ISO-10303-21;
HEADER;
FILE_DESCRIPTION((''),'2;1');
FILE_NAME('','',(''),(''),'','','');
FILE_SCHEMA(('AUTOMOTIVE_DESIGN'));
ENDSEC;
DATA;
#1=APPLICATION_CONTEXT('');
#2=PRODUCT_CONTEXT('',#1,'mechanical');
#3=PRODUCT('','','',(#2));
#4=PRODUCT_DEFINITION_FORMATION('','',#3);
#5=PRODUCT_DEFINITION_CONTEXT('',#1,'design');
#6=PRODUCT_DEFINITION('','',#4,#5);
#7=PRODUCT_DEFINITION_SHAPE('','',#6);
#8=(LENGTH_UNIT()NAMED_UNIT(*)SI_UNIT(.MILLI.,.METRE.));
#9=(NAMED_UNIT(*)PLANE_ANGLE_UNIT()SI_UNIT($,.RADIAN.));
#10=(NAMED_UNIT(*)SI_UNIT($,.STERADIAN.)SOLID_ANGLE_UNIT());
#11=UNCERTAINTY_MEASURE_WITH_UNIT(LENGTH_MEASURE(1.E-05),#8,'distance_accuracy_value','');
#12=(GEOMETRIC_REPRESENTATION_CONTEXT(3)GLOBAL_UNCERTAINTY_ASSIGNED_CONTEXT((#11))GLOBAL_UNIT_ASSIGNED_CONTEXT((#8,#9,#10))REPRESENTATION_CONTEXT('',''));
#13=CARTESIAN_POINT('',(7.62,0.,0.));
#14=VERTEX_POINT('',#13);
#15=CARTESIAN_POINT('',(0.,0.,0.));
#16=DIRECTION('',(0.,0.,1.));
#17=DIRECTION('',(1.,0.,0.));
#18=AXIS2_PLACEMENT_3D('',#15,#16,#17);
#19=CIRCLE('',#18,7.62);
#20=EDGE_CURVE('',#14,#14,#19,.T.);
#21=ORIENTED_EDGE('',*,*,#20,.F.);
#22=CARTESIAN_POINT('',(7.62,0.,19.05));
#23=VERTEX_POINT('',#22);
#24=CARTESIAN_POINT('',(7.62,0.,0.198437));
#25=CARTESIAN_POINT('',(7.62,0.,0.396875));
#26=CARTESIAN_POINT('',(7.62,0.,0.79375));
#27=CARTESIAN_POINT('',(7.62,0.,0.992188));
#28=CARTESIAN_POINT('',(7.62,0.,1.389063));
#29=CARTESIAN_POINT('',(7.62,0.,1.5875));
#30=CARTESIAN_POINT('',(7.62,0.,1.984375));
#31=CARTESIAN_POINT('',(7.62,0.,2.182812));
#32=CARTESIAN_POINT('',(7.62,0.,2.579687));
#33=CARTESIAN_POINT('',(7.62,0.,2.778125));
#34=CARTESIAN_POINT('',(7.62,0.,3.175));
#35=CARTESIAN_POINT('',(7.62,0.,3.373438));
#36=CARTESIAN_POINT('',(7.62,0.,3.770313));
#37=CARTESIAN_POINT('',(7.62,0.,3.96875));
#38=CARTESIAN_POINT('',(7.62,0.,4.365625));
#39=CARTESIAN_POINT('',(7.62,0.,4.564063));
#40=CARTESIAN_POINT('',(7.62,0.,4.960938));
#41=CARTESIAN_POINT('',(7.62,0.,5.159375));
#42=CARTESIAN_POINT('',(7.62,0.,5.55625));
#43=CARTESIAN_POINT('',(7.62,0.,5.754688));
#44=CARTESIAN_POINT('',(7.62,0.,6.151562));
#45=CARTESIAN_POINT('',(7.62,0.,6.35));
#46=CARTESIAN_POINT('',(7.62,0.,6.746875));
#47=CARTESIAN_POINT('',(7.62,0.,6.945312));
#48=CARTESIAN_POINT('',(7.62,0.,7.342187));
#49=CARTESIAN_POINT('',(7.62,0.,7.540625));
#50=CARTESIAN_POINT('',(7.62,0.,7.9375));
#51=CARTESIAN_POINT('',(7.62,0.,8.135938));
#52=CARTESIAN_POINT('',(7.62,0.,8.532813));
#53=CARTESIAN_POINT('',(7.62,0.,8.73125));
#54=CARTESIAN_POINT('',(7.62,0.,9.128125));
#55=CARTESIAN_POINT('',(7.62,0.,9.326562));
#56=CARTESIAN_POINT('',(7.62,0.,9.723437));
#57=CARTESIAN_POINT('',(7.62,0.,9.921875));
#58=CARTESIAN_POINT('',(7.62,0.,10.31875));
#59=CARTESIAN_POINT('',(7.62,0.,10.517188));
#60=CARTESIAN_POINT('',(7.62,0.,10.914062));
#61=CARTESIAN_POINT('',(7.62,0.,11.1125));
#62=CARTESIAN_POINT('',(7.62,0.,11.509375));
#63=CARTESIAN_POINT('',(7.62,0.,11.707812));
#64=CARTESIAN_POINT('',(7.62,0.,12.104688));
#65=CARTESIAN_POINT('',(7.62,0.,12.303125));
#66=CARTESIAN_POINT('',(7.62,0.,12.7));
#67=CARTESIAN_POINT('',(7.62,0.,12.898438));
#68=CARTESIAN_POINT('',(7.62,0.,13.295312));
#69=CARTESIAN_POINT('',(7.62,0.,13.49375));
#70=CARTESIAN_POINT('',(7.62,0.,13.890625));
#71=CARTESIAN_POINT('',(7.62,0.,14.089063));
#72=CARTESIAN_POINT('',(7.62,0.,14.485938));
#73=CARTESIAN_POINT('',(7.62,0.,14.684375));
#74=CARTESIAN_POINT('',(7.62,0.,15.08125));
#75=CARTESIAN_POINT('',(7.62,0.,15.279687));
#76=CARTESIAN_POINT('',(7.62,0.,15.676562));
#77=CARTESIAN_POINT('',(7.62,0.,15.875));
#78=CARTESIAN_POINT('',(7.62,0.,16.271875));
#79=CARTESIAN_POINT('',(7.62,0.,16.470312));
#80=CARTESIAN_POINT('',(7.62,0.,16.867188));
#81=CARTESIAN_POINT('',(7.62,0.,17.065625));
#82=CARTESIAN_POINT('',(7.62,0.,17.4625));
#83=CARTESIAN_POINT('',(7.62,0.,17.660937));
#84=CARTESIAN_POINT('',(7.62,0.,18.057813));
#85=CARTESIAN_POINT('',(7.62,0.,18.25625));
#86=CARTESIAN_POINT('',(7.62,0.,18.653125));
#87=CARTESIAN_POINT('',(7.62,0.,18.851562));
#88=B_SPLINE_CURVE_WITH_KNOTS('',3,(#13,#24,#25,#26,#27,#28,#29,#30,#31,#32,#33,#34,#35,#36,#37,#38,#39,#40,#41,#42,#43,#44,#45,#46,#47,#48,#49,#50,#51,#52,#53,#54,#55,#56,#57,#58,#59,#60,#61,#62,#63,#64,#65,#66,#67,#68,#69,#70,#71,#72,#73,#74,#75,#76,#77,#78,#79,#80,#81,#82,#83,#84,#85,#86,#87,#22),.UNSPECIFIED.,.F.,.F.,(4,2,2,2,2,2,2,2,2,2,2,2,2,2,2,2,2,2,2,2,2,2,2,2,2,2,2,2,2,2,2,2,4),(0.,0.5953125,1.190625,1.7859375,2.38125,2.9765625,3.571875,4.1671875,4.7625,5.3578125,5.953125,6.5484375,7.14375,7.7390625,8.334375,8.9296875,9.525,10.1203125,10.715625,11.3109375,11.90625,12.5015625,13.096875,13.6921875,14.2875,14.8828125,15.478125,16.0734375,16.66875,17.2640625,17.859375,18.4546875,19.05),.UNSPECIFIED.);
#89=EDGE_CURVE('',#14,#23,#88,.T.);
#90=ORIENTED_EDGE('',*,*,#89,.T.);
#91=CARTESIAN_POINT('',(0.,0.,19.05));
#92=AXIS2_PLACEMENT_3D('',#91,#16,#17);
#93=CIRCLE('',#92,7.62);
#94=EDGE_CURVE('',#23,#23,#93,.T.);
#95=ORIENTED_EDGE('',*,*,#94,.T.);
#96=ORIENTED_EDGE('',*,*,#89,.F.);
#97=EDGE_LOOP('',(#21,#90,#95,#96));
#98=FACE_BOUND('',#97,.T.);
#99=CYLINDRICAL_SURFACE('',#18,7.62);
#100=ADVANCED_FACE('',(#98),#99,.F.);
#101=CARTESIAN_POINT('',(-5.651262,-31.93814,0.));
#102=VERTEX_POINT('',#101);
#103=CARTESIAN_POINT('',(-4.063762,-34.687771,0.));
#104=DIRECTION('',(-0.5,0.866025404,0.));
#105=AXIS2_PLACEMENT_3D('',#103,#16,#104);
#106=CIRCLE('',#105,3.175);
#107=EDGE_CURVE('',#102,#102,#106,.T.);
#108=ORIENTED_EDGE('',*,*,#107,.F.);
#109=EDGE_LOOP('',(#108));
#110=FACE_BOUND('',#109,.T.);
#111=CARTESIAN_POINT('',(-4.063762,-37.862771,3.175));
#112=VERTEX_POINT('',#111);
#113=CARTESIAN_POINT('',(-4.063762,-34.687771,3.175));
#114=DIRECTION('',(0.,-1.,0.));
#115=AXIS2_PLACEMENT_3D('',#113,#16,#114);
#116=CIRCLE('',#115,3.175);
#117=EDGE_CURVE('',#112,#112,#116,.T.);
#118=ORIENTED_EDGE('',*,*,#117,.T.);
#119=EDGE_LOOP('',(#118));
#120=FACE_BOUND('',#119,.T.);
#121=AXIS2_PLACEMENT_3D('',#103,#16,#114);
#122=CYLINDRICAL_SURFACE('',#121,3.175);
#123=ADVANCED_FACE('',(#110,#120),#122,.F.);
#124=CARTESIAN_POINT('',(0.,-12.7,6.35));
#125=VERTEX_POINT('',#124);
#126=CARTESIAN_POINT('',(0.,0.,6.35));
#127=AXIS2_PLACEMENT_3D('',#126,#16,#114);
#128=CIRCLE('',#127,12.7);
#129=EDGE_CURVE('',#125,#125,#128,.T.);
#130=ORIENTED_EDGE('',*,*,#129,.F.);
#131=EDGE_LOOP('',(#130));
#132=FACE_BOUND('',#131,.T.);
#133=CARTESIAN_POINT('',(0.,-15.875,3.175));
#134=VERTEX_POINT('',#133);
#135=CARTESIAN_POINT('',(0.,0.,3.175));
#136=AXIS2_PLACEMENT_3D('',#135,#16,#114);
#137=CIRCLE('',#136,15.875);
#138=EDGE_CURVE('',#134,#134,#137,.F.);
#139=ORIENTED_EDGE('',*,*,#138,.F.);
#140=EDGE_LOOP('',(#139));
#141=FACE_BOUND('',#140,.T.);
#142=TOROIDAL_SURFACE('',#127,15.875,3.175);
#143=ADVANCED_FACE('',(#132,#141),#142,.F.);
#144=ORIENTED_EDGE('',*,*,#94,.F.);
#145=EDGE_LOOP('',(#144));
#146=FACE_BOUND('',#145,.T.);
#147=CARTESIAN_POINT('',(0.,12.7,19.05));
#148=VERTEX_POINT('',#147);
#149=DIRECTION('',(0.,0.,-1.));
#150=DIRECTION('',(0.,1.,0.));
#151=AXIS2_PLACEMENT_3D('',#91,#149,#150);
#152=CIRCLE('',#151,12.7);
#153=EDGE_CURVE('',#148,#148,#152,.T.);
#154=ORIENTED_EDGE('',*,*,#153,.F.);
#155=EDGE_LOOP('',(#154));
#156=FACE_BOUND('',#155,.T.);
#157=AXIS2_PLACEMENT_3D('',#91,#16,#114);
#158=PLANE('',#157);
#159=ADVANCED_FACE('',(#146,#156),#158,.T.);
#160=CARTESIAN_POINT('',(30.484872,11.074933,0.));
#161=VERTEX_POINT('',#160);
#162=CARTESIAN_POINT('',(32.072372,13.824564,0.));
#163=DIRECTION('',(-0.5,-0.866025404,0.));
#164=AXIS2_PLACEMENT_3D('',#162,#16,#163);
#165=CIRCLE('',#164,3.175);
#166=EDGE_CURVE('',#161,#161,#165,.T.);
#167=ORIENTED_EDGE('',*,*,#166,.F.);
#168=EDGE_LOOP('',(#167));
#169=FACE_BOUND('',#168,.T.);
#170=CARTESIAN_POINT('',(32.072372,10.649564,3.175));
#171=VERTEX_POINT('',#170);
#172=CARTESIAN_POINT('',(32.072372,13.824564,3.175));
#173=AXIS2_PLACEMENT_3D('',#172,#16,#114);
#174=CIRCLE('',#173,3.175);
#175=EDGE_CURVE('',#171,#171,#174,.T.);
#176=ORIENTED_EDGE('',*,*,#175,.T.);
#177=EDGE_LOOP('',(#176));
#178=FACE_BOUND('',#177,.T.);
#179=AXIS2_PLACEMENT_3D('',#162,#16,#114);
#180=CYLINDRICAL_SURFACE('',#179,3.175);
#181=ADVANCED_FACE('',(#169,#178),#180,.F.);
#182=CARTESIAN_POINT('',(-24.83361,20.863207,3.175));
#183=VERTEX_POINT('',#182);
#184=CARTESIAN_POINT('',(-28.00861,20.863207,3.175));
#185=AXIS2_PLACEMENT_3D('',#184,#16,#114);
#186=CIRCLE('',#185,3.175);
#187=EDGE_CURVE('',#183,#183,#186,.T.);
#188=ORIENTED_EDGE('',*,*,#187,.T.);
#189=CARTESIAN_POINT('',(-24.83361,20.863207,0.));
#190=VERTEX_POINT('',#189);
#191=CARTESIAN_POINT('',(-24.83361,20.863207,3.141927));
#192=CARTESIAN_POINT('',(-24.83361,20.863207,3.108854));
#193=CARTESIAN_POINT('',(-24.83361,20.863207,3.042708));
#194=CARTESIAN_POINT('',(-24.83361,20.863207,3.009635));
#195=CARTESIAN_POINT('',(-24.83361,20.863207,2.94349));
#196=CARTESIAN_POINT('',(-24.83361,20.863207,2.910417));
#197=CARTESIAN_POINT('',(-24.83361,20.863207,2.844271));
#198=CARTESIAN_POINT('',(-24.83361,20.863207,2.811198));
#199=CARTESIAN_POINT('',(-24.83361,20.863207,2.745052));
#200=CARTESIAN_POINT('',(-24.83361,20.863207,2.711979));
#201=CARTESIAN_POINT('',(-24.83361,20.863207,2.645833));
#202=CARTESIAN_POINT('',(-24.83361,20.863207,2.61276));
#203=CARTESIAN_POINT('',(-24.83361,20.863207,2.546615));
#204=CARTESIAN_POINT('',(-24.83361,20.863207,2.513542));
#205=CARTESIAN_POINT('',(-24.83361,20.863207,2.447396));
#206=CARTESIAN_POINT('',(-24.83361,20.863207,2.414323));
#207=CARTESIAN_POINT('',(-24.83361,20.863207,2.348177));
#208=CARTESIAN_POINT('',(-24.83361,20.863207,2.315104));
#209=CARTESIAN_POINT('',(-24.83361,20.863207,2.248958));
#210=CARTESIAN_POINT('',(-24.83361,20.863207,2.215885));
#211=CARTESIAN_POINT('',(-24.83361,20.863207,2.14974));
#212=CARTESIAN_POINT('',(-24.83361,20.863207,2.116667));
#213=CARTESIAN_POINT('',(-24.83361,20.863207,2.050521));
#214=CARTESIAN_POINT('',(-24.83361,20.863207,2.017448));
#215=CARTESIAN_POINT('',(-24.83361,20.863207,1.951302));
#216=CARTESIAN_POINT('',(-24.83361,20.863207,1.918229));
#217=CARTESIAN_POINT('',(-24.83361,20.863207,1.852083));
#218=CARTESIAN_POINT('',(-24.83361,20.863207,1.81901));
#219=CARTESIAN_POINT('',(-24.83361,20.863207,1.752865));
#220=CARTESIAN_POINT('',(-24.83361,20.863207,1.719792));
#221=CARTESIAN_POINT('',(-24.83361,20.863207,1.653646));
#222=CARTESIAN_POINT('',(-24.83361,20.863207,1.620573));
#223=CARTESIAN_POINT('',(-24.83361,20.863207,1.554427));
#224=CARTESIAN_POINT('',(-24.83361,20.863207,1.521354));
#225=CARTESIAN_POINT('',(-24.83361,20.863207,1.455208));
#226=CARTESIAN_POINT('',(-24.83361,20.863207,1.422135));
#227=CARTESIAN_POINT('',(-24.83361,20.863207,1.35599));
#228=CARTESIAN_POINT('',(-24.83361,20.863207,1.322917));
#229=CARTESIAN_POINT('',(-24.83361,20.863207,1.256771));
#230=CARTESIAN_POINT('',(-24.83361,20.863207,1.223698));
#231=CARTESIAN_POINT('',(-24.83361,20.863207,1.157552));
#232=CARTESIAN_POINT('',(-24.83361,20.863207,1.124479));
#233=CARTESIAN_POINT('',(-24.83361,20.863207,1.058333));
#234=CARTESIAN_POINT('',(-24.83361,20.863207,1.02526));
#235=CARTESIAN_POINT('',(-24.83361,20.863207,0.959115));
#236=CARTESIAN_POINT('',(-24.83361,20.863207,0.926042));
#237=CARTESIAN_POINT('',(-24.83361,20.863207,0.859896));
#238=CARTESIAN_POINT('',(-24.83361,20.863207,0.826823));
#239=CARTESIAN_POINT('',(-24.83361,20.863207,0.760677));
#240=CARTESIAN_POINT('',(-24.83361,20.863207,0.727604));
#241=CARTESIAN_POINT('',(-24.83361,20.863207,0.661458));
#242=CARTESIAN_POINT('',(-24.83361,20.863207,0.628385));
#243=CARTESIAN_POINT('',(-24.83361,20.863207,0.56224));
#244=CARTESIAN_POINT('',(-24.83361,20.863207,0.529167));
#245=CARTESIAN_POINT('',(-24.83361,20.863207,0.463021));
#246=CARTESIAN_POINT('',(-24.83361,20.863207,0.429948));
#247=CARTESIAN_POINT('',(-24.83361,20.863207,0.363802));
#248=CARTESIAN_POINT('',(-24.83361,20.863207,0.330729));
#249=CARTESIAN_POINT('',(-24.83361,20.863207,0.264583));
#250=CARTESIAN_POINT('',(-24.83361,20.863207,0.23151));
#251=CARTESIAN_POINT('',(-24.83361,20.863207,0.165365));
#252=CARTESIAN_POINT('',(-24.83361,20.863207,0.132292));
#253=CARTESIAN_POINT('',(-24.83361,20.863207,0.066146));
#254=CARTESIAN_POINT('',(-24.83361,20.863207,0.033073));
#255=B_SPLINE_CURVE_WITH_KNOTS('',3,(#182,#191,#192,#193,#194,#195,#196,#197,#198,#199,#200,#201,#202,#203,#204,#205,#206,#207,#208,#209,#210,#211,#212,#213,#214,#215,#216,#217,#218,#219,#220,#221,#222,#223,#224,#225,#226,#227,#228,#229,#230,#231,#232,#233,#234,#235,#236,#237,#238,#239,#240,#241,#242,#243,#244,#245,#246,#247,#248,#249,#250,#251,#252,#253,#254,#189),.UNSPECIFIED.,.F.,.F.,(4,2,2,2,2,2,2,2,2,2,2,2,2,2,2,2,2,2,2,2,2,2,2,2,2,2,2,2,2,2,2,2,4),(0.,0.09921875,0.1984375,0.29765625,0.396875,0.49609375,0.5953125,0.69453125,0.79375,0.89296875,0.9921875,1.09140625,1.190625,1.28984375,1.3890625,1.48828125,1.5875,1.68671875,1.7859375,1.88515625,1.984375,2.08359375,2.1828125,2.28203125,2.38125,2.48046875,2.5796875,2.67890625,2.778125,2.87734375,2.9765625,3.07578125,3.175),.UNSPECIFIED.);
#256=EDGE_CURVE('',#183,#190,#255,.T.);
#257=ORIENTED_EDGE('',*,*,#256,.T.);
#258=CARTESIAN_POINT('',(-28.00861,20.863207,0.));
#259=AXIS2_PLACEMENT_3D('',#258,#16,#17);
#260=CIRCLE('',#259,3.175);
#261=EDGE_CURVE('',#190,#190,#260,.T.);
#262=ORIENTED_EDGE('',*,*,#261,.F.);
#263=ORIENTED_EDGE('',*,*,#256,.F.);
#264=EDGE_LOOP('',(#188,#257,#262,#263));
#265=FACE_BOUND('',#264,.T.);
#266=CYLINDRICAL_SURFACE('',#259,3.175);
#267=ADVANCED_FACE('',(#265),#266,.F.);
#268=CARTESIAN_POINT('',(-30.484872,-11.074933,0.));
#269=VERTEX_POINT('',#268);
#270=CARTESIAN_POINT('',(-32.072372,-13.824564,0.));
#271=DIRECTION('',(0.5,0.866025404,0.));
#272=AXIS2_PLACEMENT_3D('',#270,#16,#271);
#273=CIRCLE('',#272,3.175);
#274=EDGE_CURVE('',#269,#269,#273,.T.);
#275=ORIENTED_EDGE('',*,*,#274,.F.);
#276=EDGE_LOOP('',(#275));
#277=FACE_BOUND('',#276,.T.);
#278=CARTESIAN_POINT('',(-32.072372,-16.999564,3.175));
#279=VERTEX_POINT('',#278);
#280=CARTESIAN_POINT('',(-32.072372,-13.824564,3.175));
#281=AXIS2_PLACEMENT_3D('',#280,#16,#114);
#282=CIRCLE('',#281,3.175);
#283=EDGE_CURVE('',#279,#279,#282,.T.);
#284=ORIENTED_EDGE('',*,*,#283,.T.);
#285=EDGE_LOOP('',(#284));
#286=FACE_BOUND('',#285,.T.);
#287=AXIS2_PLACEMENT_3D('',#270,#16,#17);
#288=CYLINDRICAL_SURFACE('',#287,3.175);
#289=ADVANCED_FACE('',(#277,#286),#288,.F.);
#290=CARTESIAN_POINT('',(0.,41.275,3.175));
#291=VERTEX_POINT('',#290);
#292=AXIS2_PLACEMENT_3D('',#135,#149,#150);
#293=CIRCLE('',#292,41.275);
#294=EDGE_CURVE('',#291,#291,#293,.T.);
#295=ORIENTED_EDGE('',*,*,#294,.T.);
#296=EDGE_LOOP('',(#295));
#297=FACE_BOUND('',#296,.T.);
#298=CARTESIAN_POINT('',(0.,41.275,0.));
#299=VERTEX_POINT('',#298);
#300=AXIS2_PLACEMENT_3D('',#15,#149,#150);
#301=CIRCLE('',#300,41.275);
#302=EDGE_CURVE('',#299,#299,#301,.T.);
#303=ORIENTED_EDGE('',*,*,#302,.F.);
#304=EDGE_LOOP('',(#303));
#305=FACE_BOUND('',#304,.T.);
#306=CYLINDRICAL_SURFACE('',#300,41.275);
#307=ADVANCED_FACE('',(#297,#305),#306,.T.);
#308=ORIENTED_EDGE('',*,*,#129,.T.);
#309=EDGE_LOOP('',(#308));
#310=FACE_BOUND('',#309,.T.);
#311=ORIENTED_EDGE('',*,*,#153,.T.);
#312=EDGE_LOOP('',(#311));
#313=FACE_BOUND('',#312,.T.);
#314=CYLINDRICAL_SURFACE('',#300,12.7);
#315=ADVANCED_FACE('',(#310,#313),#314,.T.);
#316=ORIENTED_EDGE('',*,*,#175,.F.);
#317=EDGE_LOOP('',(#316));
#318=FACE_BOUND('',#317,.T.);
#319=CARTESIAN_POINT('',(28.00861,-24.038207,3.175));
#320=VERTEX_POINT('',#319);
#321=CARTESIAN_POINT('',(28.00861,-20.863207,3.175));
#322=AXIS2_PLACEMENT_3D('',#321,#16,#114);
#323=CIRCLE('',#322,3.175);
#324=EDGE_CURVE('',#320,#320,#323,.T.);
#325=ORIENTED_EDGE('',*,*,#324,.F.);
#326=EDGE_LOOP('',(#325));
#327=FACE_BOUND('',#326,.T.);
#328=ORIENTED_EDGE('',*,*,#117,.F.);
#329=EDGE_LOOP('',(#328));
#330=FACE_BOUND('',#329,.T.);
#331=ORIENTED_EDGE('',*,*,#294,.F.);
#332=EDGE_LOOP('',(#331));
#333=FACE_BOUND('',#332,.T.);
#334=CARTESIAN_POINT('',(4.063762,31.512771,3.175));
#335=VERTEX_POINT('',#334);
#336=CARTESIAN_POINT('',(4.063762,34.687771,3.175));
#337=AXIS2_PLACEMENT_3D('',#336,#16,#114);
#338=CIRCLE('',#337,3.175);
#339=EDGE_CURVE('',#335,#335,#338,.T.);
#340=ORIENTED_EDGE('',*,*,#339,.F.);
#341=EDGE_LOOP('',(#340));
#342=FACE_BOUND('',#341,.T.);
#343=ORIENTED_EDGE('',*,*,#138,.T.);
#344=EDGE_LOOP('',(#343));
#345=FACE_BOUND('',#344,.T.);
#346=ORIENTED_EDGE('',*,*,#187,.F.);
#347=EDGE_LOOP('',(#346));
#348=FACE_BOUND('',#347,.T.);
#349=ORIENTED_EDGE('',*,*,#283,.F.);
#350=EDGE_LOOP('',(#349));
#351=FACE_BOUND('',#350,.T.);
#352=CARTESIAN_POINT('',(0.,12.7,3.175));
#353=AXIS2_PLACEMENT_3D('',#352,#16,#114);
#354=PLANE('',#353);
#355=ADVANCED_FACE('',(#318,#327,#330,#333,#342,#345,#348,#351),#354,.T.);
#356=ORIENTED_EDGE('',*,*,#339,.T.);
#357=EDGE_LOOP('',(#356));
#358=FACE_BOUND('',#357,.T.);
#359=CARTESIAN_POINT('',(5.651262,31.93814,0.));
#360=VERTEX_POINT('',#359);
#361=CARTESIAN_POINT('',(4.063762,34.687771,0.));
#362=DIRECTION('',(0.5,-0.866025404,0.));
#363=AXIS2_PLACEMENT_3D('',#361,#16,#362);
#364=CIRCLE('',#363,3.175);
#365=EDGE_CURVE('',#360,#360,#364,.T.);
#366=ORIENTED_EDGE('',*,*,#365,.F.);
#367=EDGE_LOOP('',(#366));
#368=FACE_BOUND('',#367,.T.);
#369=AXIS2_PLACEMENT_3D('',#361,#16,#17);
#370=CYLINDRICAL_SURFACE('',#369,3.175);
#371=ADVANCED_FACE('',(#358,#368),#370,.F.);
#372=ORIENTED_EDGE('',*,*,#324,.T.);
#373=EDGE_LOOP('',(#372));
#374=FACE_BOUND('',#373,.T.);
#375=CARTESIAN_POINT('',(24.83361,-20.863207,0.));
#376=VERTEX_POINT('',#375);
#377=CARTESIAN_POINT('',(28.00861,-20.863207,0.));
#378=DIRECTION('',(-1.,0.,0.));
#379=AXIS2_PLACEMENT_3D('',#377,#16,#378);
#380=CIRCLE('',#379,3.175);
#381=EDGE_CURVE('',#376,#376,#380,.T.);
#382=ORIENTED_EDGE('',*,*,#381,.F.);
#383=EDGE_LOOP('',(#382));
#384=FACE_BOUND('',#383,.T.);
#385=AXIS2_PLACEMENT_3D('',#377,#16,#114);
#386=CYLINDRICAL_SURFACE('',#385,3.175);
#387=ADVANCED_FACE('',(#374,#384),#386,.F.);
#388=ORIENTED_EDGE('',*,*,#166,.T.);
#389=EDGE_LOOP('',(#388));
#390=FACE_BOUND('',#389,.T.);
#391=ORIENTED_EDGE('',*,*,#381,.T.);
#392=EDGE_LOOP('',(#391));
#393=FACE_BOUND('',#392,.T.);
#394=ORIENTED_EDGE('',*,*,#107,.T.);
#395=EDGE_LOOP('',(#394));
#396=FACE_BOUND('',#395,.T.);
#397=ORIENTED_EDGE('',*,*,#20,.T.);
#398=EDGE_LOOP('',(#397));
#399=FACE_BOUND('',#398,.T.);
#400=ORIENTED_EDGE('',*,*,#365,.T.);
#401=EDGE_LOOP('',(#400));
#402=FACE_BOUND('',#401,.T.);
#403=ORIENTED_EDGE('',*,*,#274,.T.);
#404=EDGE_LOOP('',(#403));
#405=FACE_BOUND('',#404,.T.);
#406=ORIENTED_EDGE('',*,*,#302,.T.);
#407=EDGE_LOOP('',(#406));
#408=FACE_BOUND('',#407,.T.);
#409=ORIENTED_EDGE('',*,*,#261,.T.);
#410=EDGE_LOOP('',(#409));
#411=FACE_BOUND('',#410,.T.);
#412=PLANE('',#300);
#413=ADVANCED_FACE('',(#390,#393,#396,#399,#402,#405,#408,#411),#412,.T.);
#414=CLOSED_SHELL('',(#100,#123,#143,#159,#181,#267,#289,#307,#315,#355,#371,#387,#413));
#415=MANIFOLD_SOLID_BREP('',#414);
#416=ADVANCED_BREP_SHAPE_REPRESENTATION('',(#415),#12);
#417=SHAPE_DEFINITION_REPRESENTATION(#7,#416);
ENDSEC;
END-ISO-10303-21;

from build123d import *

# Parameters (mm, degrees)
SKETCH3_R          = 7.62
SKETCH3_R_2        = 3.175
CUT_EXTRUDE1_DEPTH = 62.401577748
CIRPATTERN1_COUNT  = 6
FILLET1_R          = 3.175


with BuildPart() as part:
    # Sketch2 → Revolve1 (revolve)
    with BuildSketch(Plane(origin=(0, 0, 0), x_dir=(0, 0, -1), z_dir=(1, 0, 0))):
        Polygon((0, 0), (0, 41.275), (-3.175, 41.275), (-3.175, 12.7), (-19.05, 12.7), (-19.05, 0), align=None)
    revolve(axis=Axis((0, 0, 0), (0, 0, 1)))

    # Sketch3 → Cut-Extrude1 (cut, through all)
    with BuildSketch(Plane.XY.offset(19.05)):
        Circle(SKETCH3_R)
        with Locations((-28.008609796, 20.863206903)):
            Circle(SKETCH3_R_2)
    cut_extrude1 = extrude(amount=-CUT_EXTRUDE1_DEPTH, mode=Mode.SUBTRACT)

    # CirPattern1: Cut-Extrude1 ×6 about axis
    cirpattern1_axis = Axis((0, 0, 0), (0, 0, 1))
    for i in range(1, CIRPATTERN1_COUNT):
        add(cut_extrude1.rotate(cirpattern1_axis, i * 360 / CIRPATTERN1_COUNT), mode=Mode.SUBTRACT)

    # Fillet1
    fillet1_edges = [part.edges().sort_by_distance(p)[0] for p in [
        (0, -12.7, 3.175),
    ]]
    fillet(fillet1_edges, radius=FILLET1_R)


solid = part.part
